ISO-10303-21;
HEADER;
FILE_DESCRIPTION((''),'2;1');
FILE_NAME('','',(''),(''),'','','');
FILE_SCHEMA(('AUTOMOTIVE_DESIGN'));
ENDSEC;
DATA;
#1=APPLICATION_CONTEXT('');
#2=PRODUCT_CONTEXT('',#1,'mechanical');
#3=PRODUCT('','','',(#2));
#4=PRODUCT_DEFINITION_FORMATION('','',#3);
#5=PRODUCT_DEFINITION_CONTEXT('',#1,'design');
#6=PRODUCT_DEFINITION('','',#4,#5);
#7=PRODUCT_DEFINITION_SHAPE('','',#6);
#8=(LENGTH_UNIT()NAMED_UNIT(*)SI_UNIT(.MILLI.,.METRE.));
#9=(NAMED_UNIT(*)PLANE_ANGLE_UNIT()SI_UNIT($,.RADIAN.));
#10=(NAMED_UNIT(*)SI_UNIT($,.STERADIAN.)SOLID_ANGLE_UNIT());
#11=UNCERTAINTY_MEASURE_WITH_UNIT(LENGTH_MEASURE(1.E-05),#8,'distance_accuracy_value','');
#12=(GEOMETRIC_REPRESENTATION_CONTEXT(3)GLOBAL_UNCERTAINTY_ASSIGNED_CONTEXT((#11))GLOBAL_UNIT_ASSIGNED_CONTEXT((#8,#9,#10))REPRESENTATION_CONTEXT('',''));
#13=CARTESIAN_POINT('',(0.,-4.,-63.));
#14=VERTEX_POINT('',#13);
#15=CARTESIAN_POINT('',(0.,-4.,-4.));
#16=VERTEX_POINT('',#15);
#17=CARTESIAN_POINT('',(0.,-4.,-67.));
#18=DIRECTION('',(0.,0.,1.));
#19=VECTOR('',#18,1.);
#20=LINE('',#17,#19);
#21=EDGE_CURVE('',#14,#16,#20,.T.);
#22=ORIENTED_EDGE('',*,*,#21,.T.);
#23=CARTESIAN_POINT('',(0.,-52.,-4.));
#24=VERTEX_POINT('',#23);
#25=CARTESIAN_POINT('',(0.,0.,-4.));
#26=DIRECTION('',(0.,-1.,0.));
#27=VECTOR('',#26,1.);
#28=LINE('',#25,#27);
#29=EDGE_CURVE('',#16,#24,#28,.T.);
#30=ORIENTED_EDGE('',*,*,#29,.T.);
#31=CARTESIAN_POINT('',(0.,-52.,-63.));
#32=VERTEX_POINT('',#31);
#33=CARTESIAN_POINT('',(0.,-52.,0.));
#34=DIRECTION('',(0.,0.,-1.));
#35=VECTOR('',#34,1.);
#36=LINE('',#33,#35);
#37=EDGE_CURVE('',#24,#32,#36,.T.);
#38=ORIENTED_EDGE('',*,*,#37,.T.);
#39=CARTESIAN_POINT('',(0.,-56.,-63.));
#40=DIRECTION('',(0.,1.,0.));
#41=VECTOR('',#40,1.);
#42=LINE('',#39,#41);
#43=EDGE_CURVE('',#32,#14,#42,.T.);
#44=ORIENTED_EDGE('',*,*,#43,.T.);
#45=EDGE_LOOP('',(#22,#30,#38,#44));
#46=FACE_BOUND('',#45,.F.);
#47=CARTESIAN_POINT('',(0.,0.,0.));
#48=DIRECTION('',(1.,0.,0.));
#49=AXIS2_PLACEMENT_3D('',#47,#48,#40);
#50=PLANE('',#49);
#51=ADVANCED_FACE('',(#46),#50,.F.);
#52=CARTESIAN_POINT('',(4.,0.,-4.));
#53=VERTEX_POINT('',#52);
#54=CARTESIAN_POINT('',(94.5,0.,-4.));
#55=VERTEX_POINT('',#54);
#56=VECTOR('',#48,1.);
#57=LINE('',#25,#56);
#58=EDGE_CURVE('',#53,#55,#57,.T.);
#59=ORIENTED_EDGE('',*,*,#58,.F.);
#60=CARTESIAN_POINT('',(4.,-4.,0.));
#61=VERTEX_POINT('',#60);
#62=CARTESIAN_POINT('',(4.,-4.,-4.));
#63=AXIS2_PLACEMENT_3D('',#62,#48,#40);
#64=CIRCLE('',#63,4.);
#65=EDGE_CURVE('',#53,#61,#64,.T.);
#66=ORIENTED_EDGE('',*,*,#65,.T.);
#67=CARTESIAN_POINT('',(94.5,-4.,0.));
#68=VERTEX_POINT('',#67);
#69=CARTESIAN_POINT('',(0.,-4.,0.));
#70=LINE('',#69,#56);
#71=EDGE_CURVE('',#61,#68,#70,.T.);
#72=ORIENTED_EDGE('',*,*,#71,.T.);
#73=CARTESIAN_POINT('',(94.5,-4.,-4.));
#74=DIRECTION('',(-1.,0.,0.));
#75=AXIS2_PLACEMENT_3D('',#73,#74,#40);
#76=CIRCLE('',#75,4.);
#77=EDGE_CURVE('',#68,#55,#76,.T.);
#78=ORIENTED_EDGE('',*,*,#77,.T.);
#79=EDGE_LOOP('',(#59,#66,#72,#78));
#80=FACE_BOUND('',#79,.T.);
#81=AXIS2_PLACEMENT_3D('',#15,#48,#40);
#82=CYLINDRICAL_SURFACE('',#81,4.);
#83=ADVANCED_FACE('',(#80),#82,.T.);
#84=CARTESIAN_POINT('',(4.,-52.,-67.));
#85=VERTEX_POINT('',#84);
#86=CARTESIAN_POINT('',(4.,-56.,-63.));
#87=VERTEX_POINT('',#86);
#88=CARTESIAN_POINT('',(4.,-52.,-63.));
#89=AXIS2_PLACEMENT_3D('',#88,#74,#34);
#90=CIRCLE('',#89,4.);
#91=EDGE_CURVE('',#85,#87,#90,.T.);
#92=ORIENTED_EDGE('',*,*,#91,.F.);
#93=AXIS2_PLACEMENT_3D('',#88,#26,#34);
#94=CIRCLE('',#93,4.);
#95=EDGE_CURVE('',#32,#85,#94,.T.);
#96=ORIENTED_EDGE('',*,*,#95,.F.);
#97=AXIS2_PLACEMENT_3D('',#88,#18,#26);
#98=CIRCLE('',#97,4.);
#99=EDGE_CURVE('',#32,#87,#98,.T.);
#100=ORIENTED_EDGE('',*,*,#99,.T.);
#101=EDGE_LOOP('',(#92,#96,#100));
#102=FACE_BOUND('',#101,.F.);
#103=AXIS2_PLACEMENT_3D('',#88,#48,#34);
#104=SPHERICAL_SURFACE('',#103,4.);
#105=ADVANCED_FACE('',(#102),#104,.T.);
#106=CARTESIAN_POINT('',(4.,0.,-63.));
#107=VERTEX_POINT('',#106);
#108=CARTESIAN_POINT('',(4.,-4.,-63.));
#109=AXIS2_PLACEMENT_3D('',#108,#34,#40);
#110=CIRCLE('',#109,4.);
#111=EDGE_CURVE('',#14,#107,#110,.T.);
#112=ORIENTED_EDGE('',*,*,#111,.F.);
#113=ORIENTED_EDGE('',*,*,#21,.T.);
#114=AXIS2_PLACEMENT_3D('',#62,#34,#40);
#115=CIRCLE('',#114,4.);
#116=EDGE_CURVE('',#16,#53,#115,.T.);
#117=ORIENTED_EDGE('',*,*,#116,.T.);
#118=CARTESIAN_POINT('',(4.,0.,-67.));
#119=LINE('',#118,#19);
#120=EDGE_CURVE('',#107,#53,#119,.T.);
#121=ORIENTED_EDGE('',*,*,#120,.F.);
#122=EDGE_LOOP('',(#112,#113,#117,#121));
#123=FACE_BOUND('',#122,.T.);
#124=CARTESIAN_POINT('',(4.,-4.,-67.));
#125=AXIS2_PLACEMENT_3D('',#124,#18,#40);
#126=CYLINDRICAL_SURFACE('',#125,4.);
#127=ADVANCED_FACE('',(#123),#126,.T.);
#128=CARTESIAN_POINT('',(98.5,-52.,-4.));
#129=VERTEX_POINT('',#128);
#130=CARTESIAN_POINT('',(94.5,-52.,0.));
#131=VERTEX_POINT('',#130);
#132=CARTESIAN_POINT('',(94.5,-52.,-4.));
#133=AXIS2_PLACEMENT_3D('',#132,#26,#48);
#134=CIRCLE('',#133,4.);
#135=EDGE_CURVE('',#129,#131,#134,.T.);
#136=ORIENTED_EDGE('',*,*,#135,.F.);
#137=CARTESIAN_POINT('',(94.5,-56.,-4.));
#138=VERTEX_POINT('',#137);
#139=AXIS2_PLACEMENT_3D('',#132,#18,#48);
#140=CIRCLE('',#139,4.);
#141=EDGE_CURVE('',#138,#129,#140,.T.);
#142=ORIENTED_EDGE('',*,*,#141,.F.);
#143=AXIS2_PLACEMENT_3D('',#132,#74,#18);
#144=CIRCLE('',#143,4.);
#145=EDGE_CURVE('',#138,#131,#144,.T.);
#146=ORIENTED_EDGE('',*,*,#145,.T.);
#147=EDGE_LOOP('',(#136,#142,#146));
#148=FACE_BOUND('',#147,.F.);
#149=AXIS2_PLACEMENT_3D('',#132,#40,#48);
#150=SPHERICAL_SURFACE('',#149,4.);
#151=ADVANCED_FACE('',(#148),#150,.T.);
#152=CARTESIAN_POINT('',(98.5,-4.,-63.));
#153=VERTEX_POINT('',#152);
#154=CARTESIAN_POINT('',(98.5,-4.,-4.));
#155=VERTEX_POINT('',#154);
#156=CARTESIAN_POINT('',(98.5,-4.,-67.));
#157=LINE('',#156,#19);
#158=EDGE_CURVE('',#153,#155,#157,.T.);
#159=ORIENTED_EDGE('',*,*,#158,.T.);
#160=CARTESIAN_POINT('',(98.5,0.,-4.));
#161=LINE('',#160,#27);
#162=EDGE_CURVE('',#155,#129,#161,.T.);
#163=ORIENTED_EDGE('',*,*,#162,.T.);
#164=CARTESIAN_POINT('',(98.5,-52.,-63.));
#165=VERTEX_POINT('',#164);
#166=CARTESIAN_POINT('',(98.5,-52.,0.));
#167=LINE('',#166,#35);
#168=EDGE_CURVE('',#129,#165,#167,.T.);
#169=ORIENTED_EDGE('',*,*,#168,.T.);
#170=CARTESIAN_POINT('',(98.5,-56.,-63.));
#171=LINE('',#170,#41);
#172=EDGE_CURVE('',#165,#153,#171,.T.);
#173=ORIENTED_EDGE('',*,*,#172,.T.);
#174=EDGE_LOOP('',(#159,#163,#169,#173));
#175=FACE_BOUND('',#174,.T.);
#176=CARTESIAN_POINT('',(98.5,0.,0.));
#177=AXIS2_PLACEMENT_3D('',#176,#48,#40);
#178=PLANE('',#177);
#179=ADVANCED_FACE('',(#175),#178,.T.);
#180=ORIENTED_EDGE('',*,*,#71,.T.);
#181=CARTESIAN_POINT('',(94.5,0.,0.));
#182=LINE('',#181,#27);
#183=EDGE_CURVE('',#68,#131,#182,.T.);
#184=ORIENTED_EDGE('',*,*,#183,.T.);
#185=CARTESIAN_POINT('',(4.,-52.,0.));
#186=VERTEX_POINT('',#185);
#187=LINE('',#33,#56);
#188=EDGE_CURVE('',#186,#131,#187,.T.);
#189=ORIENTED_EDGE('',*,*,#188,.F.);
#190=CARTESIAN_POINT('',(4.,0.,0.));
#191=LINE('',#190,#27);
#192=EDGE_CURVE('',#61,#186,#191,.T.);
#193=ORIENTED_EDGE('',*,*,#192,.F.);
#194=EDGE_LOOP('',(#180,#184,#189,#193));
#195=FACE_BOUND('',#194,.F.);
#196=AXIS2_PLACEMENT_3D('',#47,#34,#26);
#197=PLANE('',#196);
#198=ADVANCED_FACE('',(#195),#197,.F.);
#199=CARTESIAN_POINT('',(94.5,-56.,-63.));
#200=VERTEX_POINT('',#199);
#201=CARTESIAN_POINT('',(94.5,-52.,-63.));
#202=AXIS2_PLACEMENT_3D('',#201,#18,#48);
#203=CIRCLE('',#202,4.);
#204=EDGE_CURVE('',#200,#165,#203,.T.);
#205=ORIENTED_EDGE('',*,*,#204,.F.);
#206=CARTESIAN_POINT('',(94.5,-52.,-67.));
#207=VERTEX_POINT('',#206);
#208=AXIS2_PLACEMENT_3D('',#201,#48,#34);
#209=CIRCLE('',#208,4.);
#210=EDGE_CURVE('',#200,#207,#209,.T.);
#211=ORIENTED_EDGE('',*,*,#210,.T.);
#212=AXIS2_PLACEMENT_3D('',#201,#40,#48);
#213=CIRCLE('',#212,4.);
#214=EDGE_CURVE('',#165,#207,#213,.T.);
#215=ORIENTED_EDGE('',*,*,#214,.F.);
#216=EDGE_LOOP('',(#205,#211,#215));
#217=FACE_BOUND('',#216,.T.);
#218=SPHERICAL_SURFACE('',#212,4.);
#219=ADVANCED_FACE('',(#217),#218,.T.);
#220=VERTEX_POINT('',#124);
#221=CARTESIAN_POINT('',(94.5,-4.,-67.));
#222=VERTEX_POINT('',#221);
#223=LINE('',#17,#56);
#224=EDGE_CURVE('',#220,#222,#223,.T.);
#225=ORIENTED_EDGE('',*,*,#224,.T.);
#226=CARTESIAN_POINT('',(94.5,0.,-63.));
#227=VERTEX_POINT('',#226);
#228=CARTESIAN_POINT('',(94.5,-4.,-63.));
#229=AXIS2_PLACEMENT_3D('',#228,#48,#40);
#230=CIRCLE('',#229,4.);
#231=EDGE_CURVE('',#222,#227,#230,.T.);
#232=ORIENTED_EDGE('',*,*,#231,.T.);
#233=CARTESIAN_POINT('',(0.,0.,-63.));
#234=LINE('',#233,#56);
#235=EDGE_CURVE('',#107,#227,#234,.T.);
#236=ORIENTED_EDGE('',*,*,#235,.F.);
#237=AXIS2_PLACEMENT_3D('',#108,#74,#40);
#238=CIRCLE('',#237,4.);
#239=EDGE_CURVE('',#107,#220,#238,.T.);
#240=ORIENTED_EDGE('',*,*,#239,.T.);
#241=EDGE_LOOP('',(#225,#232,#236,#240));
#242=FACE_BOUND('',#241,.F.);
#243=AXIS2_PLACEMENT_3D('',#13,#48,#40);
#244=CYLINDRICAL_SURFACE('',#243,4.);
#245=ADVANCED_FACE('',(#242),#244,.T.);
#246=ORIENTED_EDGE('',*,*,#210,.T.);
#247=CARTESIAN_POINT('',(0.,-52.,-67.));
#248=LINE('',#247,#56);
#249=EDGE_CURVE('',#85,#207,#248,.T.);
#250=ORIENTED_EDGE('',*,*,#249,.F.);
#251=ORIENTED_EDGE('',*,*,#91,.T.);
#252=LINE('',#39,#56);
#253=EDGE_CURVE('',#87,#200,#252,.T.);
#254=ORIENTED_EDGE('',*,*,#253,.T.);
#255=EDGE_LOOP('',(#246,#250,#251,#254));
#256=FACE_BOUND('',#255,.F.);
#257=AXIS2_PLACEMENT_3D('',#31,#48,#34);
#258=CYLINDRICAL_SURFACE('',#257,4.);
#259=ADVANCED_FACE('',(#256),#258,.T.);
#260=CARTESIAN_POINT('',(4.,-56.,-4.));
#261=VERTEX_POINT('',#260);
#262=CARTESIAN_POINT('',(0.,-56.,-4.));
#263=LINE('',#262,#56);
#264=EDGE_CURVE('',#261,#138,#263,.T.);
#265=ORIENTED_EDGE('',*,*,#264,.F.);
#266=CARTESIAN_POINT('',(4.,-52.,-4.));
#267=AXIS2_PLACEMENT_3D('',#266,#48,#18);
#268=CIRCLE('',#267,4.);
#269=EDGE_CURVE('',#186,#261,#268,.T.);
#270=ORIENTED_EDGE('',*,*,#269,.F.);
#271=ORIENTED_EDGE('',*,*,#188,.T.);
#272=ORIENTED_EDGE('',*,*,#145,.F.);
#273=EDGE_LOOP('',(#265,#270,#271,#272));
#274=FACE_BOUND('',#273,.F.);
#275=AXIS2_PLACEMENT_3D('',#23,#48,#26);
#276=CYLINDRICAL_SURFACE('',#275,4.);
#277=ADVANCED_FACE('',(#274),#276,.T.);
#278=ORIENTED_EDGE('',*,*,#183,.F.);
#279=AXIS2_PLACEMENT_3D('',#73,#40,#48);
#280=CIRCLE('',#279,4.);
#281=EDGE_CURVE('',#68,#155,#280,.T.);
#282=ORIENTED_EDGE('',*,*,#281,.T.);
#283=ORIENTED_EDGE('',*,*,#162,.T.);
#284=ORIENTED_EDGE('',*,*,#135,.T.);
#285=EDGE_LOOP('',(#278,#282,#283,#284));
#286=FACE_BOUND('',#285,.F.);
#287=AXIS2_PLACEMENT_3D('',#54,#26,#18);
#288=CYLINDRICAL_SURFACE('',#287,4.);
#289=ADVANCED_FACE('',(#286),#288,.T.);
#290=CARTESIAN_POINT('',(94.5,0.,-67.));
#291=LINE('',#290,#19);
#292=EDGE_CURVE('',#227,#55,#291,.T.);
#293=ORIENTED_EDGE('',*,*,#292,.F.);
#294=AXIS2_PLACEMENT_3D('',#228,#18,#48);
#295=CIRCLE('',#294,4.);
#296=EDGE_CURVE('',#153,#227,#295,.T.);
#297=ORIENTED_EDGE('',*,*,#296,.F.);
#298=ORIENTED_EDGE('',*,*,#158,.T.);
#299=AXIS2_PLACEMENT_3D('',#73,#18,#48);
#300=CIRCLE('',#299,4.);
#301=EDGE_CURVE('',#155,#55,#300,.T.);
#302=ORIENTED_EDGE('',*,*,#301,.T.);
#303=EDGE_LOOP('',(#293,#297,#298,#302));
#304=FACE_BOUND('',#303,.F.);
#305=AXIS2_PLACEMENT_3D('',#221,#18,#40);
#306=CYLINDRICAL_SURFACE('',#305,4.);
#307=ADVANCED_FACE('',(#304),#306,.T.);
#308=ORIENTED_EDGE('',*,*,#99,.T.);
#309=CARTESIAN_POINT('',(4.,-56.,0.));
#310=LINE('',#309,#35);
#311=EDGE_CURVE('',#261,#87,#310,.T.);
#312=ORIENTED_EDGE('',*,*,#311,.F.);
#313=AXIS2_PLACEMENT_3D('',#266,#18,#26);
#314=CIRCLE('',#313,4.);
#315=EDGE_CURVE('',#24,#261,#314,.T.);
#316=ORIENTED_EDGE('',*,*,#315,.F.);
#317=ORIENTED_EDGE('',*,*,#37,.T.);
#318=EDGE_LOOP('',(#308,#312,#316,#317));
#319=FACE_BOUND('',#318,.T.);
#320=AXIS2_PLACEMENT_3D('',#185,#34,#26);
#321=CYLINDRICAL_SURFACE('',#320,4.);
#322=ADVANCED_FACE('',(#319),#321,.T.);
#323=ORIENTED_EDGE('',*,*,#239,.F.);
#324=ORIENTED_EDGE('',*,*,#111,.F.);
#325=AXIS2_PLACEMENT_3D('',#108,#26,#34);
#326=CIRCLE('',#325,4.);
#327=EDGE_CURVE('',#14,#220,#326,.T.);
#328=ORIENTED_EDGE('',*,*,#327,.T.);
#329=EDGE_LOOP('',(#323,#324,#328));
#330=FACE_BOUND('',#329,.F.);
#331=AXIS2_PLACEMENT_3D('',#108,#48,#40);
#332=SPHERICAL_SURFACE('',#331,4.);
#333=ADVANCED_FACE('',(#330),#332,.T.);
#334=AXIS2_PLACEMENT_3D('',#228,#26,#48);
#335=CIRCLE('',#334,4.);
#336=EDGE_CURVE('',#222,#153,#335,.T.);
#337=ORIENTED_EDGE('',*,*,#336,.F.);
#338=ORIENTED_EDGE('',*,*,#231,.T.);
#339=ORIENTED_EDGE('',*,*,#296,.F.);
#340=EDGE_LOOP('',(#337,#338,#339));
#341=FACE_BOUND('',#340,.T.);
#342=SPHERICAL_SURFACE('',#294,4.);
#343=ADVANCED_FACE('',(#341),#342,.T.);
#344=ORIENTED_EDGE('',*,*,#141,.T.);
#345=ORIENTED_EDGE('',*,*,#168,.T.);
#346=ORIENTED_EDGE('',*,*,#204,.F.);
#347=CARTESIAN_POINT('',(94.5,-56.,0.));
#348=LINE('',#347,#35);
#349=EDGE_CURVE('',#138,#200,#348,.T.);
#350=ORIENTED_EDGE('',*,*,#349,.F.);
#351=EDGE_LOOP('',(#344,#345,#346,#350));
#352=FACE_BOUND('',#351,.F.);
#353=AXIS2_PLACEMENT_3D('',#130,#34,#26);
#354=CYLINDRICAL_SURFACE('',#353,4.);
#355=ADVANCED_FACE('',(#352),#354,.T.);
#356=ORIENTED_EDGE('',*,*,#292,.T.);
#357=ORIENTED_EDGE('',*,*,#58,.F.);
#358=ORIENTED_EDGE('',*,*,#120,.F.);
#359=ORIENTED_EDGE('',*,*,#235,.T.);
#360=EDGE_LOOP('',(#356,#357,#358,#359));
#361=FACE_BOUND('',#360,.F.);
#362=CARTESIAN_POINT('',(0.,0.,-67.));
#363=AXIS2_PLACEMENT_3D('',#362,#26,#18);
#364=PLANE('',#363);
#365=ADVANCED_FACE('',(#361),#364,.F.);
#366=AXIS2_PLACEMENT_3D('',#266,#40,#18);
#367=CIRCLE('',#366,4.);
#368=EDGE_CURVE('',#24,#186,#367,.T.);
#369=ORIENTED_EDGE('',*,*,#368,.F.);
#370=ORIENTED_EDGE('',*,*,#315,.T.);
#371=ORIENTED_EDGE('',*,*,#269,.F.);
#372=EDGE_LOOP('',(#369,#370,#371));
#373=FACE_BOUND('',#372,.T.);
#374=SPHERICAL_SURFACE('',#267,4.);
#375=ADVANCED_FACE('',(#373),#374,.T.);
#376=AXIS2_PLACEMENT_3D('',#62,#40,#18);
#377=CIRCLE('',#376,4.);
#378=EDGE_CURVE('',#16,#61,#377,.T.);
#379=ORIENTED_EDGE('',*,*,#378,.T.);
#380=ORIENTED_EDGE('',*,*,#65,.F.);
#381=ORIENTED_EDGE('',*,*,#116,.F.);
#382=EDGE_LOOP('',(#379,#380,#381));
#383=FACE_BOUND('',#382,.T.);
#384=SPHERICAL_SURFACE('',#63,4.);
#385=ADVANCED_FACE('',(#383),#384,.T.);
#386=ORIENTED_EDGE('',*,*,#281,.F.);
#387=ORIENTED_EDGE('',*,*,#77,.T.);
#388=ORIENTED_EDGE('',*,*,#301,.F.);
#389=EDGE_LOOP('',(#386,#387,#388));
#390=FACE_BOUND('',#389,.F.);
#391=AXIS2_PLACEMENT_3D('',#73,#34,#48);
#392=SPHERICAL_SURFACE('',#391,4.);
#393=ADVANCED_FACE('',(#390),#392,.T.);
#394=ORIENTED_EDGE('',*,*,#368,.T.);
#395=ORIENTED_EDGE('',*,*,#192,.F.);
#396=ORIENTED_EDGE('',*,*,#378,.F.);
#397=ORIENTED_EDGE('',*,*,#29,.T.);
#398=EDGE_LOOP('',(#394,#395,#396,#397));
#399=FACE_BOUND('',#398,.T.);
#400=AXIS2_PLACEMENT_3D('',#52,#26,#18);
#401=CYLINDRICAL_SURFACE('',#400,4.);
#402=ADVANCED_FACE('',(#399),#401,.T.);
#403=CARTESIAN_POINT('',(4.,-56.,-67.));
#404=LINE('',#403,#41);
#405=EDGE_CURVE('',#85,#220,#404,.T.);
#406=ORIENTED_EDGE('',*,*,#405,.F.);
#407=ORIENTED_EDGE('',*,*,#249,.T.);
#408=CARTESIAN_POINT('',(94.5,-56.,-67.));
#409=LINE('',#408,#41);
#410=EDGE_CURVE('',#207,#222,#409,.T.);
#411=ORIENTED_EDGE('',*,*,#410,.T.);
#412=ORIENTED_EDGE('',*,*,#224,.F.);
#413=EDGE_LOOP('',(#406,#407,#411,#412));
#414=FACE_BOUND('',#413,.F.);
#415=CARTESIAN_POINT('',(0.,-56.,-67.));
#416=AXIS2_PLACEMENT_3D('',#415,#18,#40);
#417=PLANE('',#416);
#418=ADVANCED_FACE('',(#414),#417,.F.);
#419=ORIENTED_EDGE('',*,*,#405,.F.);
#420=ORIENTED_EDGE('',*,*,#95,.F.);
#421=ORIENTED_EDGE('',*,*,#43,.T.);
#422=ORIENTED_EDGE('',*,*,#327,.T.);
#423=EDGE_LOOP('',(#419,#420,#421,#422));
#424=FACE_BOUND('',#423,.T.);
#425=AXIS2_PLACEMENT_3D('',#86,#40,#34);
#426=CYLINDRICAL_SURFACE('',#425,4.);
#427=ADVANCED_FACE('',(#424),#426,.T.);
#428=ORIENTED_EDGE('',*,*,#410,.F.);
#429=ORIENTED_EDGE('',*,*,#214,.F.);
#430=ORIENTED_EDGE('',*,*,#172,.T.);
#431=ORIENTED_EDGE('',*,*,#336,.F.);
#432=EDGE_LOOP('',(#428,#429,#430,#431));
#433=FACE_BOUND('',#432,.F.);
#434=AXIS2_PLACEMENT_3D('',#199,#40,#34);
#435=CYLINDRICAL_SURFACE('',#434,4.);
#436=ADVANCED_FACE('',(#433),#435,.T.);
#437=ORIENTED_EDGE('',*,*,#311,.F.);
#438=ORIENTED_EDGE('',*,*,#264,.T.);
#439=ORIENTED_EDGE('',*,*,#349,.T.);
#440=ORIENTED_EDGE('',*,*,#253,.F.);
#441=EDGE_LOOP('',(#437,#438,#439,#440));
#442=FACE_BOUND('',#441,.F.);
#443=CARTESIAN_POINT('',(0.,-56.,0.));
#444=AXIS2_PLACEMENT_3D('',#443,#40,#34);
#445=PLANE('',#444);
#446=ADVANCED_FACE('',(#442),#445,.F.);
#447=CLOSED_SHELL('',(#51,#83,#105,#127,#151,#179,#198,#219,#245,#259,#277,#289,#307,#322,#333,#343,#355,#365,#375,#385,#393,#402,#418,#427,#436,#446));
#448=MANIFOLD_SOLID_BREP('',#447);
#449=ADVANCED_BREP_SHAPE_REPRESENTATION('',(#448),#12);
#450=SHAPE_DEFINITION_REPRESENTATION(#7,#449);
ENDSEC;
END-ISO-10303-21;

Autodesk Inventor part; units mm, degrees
ref_plane "YZ Plane" through (0, 0, 0) normal (1, 0, 0) x (0, 1, 0)
ref_plane "XZ Plane" through (0, 0, 0) normal (0, 1, 0) x (-1, 0, 0)
ref_plane "XY Plane" through (0, 0, 0) normal (0, 0, 1) x (1, 0, 0)
sketch "草图1" plane through (0, 0, 0) normal (1, 0, 0) x (0, 1, 0)
  line L0 (0, 0) -> (-56, 0)
  line L1 (-56, 0) -> (-56, -67)
  line L2 (-56, -67) -> (0, -67)
  line L3 (0, -67) -> (0, 0)
  dimension "d0" = 67
  dimension "d1" = 56
extrude "拉伸1" add sketch "草图1" along normal blind 98.5
fillet "圆角1" radius 4 12 edges at (98.5, 0, -33.5) (98.5, -28, -67) (98.5, -28, 0) (98.5, -56, -33.5) (49.25, 0, 0) (49.25, 0, -67) (49.25, -56, 0) (49.25, -56, -67) (0, 0, -33.5) (0, -28, 0) (0, -28, -67) (0, -56, -33.5)
properties part number "电池"
